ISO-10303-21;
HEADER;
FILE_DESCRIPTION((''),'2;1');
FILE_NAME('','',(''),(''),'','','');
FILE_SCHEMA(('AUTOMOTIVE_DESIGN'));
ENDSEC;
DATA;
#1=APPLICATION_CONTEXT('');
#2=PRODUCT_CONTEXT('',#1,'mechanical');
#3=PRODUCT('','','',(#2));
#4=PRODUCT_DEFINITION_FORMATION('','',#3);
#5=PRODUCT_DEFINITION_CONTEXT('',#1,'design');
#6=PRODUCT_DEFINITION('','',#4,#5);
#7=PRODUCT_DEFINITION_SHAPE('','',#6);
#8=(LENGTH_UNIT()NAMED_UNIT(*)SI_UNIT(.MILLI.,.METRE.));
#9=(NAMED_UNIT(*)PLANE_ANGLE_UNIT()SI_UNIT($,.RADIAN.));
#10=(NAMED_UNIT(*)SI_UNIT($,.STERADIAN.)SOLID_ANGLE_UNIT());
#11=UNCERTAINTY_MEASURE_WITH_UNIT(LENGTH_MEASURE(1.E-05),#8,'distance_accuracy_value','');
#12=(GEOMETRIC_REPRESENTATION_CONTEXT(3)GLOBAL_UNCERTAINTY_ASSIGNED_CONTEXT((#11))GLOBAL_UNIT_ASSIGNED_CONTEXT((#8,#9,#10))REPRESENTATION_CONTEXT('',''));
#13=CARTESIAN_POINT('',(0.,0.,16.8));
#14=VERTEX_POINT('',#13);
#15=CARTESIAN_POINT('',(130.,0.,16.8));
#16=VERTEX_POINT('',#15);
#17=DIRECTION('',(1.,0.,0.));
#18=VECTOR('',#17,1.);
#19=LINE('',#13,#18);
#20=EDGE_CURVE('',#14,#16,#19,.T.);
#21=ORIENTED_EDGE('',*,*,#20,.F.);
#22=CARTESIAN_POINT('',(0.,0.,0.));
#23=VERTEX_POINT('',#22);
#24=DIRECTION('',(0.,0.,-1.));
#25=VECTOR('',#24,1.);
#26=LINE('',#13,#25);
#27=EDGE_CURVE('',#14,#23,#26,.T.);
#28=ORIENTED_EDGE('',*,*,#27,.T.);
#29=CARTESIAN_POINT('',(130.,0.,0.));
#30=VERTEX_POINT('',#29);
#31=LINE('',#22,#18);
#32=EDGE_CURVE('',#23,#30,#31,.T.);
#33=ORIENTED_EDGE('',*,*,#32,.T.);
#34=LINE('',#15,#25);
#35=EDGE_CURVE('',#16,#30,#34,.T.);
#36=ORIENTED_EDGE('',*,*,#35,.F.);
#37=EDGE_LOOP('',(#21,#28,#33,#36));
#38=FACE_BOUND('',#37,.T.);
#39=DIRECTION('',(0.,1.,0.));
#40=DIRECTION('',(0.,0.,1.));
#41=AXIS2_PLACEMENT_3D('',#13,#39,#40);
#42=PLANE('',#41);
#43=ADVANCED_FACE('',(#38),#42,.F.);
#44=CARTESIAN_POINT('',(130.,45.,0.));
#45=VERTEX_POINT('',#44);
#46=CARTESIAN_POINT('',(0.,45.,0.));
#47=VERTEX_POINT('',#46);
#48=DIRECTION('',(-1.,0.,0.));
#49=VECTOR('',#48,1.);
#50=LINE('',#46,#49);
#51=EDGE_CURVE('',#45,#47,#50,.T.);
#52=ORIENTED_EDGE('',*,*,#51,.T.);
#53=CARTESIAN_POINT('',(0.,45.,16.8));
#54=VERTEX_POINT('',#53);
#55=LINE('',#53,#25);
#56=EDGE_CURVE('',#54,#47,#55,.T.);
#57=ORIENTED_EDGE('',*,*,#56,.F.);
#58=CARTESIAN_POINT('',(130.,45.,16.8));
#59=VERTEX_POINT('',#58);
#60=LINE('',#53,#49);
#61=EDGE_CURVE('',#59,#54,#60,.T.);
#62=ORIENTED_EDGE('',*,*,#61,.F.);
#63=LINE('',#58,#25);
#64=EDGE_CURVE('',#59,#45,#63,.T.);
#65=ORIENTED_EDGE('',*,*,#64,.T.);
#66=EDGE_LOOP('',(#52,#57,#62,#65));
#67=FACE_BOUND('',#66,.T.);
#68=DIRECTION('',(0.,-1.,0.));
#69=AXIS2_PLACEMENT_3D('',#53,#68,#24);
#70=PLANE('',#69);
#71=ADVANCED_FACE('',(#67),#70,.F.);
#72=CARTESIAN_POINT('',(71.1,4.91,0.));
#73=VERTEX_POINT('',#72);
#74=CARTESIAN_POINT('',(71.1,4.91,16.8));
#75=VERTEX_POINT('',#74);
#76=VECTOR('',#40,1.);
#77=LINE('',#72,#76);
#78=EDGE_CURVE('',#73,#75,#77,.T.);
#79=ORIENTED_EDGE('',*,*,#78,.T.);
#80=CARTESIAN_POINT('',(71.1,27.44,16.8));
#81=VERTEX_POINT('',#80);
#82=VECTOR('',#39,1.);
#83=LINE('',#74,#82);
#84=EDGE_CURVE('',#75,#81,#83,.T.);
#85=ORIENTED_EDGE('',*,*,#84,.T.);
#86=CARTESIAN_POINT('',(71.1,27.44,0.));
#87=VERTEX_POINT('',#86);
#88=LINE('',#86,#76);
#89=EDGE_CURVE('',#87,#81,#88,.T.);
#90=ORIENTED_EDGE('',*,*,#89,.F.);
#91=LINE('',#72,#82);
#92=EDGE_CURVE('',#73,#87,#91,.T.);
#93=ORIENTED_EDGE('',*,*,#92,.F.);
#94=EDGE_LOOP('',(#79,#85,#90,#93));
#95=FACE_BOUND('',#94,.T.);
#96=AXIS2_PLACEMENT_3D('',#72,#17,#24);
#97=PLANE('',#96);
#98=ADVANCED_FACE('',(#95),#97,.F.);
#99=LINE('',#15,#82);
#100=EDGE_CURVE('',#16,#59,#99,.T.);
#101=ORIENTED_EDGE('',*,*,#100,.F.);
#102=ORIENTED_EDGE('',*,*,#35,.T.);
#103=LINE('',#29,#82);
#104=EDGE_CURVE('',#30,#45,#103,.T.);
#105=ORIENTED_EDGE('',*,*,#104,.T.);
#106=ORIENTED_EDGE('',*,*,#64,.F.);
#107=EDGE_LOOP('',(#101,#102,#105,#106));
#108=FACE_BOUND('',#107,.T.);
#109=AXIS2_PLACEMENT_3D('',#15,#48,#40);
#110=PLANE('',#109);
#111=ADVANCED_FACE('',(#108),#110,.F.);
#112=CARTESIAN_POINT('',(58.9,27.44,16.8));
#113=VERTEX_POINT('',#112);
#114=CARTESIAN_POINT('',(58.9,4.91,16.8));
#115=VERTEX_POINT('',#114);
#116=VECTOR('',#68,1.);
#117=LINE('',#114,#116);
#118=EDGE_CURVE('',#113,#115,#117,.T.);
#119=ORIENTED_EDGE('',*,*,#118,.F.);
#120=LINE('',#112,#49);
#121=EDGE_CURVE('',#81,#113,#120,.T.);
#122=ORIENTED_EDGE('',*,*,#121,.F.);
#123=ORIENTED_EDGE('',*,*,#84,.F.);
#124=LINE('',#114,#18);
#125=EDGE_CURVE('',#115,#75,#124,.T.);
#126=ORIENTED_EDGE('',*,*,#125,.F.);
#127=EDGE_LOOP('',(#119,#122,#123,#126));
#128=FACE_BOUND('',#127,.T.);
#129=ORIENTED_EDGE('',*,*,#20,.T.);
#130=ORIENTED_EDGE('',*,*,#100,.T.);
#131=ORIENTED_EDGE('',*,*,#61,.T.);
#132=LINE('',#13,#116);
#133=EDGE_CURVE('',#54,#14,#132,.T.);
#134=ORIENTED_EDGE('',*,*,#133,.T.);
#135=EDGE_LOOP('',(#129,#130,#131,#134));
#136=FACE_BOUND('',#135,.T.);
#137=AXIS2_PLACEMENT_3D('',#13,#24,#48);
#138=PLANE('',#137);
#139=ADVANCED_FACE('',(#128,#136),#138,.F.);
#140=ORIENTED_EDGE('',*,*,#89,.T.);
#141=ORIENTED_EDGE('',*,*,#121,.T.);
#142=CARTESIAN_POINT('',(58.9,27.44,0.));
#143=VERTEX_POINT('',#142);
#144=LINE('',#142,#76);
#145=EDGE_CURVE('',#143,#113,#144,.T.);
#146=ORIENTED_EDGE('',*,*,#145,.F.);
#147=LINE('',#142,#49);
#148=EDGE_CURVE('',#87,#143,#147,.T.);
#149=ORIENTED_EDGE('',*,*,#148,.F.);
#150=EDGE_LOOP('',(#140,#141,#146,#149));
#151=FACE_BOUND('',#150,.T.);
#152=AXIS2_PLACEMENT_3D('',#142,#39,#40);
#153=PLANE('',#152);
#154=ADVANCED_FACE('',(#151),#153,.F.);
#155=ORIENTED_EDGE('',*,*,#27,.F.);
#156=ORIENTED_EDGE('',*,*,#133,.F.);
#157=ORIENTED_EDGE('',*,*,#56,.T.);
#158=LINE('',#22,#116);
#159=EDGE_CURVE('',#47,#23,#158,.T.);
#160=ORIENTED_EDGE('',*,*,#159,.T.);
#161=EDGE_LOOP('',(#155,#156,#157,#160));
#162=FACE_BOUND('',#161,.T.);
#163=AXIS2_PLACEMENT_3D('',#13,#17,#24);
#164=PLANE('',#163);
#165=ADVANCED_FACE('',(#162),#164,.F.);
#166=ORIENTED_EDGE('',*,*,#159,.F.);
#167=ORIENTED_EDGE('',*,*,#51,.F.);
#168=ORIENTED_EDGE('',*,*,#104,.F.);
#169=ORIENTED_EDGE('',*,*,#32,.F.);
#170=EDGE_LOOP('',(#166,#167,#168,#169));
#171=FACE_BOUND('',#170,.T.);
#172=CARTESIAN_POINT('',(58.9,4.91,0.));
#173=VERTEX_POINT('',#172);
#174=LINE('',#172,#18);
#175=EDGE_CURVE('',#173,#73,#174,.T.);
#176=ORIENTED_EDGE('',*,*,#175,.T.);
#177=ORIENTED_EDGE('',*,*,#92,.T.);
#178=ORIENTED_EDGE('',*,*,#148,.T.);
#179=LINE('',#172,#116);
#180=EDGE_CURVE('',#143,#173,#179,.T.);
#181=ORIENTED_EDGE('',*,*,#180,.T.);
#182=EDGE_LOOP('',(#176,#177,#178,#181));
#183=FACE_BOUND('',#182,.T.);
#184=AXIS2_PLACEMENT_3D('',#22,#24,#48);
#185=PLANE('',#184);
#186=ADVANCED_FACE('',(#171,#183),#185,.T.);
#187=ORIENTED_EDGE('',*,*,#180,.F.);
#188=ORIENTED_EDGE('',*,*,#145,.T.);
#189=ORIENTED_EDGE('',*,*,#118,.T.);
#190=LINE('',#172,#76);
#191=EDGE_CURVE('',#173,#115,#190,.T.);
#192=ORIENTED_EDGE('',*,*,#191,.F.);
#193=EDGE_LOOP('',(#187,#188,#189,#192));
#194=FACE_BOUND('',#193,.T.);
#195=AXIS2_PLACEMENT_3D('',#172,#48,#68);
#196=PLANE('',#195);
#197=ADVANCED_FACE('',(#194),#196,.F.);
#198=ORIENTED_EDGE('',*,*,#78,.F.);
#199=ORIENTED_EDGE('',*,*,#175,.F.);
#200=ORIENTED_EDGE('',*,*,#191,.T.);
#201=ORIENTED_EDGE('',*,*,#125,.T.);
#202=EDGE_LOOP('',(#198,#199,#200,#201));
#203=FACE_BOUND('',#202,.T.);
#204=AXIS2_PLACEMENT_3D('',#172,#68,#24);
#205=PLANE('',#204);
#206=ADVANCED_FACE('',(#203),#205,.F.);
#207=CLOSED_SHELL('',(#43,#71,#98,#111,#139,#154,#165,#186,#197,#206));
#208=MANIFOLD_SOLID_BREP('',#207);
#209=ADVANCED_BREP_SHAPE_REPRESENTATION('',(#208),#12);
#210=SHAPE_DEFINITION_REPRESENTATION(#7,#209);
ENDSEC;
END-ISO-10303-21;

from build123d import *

# Parameters (mm, degrees)
ESBO_O1_W                = 130
ESBO_O1_H                = 45
RESSALTO_EXTRUS_O1_DEPTH = 16.8
ESBO_O2_W                = 12.2
ESBO_O2_H                = 22.53
CORTE_EXTRUS_O1_DEPTH    = 139.590187243


with BuildPart() as part:
    # Esboço1 → Ressalto-extrusão1 (new body)
    with BuildSketch(Plane.XY):
        with Locations((65, 22.5)):
            Rectangle(ESBO_O1_W, ESBO_O1_H)
    extrude(amount=RESSALTO_EXTRUS_O1_DEPTH)

    # Esboço2 → Corte-extrusão1 (cut, through all)
    with BuildSketch(Plane.XY.offset(16.8)):
        with Locations((65, 16.175)):
            Rectangle(ESBO_O2_W, ESBO_O2_H)
    extrude(amount=-CORTE_EXTRUS_O1_DEPTH, mode=Mode.SUBTRACT)


solid = part.part
